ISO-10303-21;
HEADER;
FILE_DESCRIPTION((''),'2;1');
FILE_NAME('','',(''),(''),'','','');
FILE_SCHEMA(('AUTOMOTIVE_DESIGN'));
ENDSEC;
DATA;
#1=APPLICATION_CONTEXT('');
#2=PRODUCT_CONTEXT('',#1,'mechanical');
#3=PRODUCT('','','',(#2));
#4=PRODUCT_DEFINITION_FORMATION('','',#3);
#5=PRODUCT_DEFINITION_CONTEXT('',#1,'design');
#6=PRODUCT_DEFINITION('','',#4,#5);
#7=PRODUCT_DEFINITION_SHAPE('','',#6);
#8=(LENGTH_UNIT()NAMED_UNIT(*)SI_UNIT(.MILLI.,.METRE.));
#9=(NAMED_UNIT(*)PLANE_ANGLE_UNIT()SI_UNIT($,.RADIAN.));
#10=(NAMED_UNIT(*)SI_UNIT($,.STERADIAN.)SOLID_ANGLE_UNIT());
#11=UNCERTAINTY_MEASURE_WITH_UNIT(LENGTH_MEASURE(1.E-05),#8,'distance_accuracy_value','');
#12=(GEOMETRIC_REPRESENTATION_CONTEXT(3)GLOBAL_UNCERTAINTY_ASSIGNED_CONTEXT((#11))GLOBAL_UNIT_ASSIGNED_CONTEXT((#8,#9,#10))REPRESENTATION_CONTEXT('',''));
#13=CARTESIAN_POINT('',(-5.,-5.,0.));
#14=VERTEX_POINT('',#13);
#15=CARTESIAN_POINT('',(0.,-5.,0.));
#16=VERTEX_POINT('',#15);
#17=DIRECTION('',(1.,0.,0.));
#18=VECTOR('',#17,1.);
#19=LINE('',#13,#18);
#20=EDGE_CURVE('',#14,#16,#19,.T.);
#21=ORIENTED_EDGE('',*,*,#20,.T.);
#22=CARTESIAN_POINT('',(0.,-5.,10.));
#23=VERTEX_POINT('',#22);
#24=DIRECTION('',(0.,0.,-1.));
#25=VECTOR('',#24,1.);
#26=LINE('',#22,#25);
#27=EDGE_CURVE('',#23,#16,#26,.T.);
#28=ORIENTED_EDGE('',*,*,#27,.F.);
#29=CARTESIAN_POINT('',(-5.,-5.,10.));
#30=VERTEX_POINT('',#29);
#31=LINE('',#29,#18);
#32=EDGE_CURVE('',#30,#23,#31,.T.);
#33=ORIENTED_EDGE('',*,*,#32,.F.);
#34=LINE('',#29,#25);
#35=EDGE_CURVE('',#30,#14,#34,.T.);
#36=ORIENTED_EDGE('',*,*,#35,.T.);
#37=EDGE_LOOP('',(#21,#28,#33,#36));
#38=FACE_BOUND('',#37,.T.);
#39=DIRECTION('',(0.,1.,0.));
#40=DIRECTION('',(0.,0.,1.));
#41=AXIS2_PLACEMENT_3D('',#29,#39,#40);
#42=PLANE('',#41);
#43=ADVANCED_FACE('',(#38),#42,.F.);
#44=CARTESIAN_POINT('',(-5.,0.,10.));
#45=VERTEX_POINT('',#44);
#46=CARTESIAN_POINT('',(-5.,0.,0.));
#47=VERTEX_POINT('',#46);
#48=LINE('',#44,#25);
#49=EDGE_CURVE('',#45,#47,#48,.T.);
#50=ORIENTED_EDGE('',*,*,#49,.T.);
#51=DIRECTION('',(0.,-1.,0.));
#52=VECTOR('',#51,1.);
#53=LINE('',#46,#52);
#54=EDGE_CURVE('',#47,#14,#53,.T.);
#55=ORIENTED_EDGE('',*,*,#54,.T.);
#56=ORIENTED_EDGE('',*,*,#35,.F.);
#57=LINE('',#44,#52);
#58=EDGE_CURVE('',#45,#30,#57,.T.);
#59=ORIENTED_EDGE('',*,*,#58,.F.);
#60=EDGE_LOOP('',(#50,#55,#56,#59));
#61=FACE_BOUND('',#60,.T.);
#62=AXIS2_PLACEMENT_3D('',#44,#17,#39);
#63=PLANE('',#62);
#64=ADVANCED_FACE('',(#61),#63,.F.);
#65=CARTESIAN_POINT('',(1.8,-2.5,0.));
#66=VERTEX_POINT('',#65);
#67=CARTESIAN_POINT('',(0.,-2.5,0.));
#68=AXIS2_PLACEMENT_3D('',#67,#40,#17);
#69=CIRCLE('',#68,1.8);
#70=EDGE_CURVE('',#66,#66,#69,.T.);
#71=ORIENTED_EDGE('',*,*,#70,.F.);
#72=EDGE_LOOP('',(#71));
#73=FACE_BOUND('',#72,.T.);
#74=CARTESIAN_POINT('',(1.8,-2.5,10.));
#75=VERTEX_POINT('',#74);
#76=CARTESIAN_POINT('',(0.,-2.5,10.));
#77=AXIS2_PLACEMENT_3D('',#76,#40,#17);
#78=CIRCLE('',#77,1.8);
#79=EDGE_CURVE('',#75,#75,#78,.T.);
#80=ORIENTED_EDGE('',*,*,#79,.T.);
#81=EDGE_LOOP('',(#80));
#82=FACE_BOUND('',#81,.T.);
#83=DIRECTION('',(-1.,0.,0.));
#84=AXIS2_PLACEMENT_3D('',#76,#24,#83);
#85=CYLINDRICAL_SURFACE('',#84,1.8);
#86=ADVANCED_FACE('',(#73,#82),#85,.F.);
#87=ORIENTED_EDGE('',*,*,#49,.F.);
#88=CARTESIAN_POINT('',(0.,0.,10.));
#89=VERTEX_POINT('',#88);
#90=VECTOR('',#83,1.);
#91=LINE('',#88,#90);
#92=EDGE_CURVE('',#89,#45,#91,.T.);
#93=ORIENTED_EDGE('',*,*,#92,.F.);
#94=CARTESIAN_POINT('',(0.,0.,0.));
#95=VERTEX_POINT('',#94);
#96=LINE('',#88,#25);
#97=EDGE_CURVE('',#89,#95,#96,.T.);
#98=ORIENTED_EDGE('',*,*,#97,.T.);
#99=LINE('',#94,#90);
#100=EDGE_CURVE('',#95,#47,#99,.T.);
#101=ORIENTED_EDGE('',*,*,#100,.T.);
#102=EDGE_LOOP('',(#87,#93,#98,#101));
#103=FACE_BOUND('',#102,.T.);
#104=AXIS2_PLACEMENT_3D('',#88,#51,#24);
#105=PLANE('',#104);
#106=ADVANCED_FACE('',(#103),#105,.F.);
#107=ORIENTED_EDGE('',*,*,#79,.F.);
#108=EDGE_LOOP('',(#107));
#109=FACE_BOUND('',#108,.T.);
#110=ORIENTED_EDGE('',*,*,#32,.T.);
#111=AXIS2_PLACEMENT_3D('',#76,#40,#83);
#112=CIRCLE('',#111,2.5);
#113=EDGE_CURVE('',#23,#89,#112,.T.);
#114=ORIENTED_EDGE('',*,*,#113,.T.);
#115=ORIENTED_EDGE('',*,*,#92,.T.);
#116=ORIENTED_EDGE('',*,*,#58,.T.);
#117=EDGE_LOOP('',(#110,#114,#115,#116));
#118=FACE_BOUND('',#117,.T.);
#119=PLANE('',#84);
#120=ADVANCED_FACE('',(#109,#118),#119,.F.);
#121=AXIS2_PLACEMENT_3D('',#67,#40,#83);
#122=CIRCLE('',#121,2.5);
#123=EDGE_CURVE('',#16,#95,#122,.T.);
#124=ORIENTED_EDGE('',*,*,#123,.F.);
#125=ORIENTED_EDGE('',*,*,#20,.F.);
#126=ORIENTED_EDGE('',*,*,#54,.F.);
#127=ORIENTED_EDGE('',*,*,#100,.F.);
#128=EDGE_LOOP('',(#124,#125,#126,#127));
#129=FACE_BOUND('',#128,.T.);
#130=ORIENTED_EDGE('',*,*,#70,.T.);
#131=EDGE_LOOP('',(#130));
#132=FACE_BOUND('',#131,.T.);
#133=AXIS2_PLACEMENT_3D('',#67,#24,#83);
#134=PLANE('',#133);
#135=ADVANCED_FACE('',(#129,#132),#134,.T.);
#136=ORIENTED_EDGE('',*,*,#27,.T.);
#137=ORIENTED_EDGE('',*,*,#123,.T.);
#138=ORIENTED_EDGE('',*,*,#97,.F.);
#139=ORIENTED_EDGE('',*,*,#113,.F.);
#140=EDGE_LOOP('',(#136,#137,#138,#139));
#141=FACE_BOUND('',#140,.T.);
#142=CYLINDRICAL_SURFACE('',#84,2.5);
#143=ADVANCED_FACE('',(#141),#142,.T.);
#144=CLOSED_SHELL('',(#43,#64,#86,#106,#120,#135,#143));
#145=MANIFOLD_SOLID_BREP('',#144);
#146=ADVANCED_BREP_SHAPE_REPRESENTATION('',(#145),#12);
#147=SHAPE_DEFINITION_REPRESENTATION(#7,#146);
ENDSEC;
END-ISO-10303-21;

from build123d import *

# Parameters (mm, degrees)
SKETCH_2_R      = 1.8
EXTRUDE_1_DEPTH = 10


with BuildPart() as part:
    # 草图2 → 凸台-拉伸1 (new body)
    with BuildSketch(Plane.XY):
        with BuildLine():
            Line((0, 0), (-5, 0))
            Line((-5, 0), (-5, -5))
            Line((-5, -5), (0, -5))
            ThreePointArc((0, -5), (2.5, -2.5), (0, 0))
        make_face()
        with Locations((0, -2.5)):
            Circle(SKETCH_2_R, mode=Mode.SUBTRACT)
    extrude(amount=EXTRUDE_1_DEPTH)


solid = part.part
